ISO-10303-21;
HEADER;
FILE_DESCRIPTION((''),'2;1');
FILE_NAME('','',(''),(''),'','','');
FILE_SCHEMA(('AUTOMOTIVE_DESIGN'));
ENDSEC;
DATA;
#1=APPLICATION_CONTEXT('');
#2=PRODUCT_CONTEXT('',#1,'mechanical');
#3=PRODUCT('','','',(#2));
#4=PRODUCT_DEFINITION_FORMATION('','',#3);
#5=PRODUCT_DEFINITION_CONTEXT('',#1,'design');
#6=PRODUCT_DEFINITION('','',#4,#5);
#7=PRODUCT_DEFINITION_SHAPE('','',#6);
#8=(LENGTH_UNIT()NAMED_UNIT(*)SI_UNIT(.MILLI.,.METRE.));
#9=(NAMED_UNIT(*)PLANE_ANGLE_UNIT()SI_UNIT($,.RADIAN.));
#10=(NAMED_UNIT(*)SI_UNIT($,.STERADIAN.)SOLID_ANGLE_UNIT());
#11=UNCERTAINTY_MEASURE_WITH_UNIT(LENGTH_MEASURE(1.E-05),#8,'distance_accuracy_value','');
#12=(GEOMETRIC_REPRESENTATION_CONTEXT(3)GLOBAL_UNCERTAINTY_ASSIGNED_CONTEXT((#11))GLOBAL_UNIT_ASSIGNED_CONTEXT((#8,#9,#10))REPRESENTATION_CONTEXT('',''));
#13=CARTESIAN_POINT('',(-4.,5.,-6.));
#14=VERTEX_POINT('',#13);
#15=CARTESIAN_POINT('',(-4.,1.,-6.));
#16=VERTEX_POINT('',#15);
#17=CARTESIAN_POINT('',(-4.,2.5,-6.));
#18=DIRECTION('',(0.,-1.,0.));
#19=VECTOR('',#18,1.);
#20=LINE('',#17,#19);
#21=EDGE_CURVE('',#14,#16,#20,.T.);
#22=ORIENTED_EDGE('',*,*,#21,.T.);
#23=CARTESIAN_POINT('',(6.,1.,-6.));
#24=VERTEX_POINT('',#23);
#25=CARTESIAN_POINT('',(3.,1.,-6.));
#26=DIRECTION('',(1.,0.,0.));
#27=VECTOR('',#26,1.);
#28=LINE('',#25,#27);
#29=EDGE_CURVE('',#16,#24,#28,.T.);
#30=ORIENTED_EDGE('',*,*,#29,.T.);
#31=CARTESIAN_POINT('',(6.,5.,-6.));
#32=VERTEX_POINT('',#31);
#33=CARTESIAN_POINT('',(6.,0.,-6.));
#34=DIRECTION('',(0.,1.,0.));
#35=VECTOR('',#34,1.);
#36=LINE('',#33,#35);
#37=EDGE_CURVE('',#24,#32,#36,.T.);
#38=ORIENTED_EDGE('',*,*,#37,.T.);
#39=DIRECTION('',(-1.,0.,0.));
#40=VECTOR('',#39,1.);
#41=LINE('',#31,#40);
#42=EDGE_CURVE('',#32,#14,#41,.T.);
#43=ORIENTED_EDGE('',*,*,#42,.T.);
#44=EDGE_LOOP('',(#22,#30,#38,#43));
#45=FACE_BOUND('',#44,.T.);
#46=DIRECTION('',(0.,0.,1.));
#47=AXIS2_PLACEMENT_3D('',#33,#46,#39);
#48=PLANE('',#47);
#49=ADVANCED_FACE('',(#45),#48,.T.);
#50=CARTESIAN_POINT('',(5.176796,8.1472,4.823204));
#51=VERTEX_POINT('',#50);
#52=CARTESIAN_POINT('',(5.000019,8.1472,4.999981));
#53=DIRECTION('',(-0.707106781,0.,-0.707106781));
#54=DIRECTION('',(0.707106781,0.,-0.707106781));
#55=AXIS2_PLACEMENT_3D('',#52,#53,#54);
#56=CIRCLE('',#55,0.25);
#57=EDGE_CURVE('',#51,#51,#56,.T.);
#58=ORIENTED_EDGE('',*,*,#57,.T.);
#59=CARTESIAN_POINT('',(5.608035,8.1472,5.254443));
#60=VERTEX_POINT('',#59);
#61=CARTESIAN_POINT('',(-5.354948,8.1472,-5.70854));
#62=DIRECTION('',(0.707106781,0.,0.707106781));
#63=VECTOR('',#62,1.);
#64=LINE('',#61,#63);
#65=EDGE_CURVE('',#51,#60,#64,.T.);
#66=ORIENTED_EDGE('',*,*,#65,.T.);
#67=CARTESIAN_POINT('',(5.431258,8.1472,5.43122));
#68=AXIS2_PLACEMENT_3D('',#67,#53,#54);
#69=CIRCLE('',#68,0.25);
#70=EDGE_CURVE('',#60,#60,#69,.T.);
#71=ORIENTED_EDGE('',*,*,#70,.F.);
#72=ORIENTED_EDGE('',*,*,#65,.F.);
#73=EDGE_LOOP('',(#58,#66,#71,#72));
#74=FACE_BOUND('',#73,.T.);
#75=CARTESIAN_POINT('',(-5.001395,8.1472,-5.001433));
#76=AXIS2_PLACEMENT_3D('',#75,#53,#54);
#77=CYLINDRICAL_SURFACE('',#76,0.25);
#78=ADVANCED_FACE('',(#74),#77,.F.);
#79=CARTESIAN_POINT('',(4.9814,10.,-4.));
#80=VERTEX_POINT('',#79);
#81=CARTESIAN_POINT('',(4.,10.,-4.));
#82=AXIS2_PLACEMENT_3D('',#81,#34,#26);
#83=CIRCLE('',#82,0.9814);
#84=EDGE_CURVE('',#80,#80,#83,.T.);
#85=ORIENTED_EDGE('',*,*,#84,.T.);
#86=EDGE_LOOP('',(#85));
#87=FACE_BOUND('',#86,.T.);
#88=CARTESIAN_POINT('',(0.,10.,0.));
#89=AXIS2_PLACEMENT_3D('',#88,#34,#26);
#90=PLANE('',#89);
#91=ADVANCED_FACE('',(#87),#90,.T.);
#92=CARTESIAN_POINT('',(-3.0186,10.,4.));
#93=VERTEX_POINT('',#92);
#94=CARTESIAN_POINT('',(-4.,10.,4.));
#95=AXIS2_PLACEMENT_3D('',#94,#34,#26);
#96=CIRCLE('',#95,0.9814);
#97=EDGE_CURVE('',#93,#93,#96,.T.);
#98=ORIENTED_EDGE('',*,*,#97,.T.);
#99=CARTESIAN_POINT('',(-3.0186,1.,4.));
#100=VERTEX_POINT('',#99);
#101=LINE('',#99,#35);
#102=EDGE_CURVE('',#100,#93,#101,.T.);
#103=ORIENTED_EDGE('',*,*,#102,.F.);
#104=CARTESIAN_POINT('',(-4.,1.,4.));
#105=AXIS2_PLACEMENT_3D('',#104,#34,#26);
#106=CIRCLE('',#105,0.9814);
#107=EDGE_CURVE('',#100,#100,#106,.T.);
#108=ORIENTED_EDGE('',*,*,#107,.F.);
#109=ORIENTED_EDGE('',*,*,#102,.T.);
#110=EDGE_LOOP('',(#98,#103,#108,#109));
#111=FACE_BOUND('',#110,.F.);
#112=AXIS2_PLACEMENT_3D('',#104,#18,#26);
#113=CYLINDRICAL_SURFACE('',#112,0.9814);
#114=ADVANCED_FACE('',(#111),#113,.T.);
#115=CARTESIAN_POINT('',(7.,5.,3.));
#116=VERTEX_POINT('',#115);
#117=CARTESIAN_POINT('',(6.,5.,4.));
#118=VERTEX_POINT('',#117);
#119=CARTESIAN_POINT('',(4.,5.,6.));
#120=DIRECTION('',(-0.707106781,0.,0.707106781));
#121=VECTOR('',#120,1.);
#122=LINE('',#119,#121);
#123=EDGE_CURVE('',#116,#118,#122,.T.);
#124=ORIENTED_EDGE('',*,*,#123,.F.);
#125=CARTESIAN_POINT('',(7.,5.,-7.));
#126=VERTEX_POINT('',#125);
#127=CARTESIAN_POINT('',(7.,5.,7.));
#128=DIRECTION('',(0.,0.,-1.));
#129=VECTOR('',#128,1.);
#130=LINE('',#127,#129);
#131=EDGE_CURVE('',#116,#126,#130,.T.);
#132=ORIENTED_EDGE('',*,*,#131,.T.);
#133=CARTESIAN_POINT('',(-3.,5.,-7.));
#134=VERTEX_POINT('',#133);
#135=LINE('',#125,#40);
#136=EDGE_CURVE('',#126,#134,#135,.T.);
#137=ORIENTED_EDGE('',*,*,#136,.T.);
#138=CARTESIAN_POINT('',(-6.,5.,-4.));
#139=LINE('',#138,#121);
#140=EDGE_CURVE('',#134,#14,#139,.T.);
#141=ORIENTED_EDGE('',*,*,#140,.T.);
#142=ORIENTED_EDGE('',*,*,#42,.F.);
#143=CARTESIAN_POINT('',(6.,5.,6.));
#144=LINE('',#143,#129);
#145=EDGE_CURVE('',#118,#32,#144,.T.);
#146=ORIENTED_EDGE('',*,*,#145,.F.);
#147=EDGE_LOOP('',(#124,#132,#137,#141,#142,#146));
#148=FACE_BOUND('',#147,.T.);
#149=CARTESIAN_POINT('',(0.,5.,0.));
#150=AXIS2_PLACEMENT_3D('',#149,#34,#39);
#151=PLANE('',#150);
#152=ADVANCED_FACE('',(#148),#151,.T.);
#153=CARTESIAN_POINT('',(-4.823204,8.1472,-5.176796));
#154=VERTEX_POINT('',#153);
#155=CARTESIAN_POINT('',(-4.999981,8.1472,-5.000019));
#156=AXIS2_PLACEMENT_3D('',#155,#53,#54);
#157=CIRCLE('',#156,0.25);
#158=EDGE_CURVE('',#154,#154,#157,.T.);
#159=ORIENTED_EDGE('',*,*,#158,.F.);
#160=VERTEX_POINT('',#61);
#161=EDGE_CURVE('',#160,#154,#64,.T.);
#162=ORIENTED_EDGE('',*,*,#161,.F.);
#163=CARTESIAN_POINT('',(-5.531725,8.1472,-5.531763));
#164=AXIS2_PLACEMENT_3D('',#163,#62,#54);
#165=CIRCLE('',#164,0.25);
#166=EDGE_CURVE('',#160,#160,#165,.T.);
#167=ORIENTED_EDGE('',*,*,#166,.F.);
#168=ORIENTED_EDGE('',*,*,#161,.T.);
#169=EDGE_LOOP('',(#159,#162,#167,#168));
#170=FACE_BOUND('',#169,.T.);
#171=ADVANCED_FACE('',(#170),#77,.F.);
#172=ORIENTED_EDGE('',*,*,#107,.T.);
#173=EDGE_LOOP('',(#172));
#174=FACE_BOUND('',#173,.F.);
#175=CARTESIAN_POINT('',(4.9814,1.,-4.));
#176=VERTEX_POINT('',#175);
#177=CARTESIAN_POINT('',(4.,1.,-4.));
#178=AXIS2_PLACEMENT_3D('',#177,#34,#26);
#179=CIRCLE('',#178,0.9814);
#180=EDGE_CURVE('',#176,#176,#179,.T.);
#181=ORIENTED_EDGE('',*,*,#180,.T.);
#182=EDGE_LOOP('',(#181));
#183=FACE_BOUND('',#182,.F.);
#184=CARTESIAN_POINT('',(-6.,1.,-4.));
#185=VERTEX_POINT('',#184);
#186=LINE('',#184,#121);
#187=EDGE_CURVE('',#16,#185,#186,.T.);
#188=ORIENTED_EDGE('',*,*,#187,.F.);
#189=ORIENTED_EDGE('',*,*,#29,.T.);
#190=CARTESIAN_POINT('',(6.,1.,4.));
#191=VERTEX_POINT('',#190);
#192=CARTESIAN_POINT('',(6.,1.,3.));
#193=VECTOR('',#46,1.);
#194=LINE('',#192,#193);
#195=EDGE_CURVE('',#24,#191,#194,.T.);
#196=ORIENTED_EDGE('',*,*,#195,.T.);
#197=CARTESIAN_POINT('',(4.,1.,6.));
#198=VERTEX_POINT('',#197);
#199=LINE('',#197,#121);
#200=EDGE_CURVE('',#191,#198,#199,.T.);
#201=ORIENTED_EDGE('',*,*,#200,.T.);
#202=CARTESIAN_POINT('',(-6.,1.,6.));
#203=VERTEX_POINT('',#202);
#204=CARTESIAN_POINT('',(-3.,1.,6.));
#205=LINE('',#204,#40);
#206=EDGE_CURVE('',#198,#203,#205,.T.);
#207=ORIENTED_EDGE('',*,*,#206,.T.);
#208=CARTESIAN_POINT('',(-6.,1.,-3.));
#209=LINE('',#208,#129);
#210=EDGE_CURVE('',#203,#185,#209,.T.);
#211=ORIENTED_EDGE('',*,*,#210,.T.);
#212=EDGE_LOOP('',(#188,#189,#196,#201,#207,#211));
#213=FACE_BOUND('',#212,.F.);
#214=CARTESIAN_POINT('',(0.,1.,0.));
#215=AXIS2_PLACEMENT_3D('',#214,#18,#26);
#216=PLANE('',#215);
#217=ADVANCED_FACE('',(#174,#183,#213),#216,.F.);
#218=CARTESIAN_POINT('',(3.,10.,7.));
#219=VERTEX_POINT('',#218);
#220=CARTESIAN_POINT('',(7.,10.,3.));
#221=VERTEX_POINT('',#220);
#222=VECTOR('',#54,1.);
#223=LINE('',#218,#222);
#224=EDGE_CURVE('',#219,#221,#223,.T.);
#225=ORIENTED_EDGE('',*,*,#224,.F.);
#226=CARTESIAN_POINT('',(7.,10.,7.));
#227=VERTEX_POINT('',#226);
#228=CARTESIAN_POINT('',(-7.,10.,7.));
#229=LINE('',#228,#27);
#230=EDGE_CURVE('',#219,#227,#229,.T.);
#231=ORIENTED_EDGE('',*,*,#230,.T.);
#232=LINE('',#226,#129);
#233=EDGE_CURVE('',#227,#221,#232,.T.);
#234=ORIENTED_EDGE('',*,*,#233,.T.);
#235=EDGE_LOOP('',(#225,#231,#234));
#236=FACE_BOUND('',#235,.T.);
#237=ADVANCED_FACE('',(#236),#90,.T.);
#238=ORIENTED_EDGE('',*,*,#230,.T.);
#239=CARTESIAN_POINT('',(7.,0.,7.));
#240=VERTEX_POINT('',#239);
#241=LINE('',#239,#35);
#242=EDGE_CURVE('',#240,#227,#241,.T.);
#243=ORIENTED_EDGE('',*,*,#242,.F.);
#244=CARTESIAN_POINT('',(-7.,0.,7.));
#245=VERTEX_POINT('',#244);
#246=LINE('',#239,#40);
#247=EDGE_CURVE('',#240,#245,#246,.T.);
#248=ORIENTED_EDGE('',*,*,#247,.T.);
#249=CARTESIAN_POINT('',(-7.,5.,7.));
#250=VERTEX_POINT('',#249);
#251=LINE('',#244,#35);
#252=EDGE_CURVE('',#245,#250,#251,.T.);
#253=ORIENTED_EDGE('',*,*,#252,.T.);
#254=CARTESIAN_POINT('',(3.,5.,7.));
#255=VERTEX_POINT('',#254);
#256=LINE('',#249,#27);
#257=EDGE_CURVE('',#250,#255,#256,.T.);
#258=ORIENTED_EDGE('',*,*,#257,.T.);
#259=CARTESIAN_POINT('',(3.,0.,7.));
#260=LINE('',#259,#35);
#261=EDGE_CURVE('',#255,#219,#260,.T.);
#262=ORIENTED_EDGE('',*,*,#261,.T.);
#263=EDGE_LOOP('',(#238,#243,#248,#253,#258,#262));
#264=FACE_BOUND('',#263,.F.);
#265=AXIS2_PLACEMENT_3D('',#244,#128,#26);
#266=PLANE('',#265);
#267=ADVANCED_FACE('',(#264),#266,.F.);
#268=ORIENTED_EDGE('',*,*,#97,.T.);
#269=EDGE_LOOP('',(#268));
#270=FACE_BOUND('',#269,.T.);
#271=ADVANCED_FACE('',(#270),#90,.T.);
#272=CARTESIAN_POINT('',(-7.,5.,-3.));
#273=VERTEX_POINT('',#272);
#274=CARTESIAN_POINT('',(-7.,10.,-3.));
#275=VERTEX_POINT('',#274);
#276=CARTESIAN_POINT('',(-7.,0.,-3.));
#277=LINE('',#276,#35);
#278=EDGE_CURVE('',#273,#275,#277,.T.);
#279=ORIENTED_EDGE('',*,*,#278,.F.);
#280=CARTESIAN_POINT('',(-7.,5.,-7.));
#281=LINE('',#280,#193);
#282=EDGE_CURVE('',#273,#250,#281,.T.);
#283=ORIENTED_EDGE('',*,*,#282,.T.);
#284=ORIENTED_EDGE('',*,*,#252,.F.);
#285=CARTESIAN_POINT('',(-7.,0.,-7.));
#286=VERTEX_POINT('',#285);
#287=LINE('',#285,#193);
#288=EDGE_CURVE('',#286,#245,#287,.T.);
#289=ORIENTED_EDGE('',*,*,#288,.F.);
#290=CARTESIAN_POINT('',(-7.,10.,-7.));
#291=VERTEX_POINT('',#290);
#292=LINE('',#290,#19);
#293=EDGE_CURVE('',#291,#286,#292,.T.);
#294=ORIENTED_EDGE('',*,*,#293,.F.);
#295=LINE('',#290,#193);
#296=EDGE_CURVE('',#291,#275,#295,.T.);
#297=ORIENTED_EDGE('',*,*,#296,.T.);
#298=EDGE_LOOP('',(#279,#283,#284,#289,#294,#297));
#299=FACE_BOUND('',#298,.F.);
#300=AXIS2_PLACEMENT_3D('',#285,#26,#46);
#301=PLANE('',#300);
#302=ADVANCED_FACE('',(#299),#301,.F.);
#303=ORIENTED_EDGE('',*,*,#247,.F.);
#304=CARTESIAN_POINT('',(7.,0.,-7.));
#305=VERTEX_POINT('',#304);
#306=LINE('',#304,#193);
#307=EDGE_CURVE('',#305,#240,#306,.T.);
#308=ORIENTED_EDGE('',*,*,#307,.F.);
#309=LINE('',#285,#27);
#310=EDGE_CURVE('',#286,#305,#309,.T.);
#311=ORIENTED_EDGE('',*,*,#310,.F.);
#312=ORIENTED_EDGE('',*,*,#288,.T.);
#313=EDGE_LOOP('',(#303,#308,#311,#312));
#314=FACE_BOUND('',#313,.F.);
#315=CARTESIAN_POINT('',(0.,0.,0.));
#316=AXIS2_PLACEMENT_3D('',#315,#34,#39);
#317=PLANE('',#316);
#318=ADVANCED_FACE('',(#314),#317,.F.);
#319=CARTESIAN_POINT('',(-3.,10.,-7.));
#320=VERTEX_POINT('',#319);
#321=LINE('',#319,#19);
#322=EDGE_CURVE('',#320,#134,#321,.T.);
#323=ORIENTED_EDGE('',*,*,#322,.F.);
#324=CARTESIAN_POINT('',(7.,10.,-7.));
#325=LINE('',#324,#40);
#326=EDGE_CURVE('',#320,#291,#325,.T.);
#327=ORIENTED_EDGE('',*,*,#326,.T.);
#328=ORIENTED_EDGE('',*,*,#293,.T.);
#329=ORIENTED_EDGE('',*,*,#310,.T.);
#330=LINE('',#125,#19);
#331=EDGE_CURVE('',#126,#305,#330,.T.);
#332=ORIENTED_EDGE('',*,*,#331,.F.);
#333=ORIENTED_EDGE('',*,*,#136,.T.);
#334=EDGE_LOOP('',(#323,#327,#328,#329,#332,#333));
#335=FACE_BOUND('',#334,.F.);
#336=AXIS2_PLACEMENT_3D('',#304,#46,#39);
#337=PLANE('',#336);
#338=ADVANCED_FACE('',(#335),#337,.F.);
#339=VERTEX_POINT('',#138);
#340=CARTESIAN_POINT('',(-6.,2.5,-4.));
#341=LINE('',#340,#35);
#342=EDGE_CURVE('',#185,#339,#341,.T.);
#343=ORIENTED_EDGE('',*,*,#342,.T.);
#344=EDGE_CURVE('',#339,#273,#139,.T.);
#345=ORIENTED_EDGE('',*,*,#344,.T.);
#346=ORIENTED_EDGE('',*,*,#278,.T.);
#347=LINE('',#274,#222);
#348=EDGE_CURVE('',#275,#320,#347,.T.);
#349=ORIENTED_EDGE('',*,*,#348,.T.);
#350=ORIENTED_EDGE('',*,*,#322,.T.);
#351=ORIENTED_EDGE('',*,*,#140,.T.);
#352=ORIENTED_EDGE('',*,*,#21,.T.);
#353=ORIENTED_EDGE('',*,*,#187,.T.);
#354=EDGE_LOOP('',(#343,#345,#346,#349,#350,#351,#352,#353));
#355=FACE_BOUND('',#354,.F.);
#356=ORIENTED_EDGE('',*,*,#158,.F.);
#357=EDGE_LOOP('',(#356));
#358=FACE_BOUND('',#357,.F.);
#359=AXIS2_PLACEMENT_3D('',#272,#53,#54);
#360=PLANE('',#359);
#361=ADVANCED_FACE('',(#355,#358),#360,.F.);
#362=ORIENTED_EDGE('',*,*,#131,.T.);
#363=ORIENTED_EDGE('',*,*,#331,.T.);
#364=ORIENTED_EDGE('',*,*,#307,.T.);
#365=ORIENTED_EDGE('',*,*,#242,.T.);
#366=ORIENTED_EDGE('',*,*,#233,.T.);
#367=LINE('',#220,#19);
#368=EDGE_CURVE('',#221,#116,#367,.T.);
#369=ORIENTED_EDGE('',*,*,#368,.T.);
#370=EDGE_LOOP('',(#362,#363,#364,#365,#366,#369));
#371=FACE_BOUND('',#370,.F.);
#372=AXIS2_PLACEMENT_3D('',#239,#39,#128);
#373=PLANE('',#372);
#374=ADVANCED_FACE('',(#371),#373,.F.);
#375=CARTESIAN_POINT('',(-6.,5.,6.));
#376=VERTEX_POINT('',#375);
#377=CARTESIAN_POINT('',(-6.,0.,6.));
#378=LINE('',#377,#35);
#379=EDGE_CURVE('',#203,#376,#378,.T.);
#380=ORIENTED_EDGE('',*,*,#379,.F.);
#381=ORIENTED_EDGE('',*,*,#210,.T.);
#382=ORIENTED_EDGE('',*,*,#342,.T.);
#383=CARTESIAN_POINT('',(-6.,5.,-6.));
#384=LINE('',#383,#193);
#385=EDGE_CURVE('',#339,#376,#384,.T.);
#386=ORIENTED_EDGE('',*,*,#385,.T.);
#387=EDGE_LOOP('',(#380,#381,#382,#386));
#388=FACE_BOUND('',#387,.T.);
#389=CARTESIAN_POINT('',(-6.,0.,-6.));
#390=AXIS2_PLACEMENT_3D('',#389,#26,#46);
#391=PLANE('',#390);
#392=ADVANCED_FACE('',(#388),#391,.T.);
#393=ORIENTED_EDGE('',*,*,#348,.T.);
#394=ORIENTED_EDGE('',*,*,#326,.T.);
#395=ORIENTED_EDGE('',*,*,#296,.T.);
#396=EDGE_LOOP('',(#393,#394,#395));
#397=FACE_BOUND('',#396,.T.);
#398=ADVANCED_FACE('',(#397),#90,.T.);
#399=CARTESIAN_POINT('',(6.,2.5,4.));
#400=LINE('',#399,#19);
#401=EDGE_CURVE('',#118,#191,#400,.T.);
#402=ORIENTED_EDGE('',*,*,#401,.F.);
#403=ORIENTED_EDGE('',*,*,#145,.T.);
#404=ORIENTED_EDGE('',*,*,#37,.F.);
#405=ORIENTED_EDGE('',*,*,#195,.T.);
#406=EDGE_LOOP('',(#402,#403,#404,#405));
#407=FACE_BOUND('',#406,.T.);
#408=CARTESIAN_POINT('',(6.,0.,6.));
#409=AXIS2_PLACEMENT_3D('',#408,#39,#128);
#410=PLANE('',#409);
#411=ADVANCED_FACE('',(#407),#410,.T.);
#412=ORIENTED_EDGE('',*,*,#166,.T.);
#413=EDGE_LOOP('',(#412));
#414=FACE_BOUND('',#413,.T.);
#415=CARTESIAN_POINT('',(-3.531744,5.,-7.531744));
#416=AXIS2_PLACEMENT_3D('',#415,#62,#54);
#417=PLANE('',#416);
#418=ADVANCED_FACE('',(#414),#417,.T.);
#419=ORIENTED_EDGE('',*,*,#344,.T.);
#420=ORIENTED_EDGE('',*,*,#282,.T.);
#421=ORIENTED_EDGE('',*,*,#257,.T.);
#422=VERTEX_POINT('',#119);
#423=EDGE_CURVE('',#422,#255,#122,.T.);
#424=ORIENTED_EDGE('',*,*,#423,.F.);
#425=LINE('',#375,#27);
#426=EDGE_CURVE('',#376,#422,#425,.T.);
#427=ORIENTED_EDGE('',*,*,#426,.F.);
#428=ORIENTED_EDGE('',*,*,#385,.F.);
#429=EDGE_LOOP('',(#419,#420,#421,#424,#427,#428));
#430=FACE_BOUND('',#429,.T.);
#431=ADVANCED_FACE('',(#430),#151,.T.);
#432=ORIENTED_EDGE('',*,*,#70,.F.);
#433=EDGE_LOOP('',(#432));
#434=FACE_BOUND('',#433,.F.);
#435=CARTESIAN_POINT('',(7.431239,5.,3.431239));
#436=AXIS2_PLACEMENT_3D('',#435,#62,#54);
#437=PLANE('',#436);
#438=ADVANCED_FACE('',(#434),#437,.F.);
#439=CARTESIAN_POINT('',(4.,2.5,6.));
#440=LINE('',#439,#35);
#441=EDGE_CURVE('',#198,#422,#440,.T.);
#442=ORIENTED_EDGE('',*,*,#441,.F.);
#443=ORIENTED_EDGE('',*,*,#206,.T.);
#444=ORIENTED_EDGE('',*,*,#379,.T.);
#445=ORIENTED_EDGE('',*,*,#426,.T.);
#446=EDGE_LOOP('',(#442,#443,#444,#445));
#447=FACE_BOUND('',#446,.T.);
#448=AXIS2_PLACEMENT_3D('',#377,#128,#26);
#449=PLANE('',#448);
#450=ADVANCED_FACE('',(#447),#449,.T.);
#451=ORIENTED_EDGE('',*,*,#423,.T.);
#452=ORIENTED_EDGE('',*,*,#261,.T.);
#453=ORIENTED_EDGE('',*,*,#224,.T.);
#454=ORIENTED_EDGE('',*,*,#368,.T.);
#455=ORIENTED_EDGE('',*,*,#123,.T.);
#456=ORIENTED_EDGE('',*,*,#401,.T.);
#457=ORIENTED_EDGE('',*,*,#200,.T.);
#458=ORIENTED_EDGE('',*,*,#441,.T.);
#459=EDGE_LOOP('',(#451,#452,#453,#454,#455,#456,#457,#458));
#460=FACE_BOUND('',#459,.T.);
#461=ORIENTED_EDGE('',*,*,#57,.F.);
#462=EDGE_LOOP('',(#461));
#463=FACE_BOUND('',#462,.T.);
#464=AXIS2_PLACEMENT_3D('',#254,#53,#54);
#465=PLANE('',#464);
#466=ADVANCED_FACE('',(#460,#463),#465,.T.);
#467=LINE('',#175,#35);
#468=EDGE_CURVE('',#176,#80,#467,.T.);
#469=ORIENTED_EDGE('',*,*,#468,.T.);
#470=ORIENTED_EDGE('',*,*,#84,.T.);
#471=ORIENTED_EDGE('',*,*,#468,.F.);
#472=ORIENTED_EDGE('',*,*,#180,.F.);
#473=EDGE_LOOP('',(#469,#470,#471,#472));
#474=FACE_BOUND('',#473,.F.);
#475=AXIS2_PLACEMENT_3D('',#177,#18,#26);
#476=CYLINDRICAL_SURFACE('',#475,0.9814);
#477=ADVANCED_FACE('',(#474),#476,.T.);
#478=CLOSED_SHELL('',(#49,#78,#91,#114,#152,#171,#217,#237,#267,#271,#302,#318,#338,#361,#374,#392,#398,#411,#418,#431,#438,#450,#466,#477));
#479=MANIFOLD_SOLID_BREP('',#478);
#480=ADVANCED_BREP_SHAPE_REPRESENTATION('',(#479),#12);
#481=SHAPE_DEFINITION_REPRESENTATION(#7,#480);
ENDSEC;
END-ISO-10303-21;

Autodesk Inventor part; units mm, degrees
ref_plane "YZ Plane" through (0, 0, 0) normal (1, 0, 0) x (0, 1, 0)
ref_plane "XZ Plane" through (0, 0, 0) normal (0, 1, 0) x (-1, 0, 0)
ref_plane "XY Plane" through (0, 0, 0) normal (0, 0, 1) x (1, 0, 0)
sketch "Sketch1" plane through (0, 0, 0) normal (0, 1, 0) x (-1, 0, 0)
  line L0 (7, 7) -> (-7, 7)
  line L1 (-7, 7) -> (-7, -7)
  line L2 (-7, -7) -> (7, -7)
  line L3 (7, -7) -> (7, 7)
  line L4 (7, 7) -> (-7, -7) construction
  line L5 (-7, 7) -> (7, -7) construction
  line L6 (6, 6) -> (-6, 6)
  line L7 (-6, 6) -> (-6, -6)
  line L8 (-6, -6) -> (6, -6)
  line L9 (6, -6) -> (6, 6)
  point P0 (0, 0)
  dimension "d0" = 14
  dimension "d1" = 14
  dimension "d2" = 1
extrude "Extrusion1" add sketch "Sketch1" along normal blind 5
sketch "Sketch2" plane through (0, 5, 0) normal (0, 1, 0) x (1, 0, 0)
  line L0 (-7, -7) -> (7, -7) projected
  line L1 (3, -7) -> (7, -3)
  line L2 (7, -7) -> (7, 7) projected
  line L3 (-7, 7) -> (-7, -7) projected
  line L4 (-7, 3) -> (-3, 7)
  line L5 (7, 7) -> (-7, 7) projected
  point P0 (0, 0)
  dimension "d5" = 4
  dimension "d6" = 4
  dimension "d7" = 4
  dimension "d8" = 4
extrude "Extrusion2" add sketch "Sketch2" along normal mid plane 10 contours L1 L2 L0 | L3 L5 L4
sketch "Sketch3" plane through (0, 0, 0) normal (0, -1, 0) x (1, 0, 0)
  line L0 (7, -7) -> (-7, -7) projected
  line L1 (7, 7) -> (7, -7) projected
  line L2 (-7, 7) -> (7, 7) projected
  line L3 (-7, -7) -> (-7, 7) projected
  line L4 (-4, -6) -> (-6, -4) projected
  line L5 (-6, 6) -> (-6, -4) projected
  line L6 (4, 6) -> (-6, 6) projected
  line L7 (4, 6) -> (6, 4) projected
  line L8 (6, -6) -> (6, 4) projected
  line L9 (-4, -6) -> (6, -6) projected
  point P0 (0, 0)
extrude "Extrusion3" add sketch "Sketch3" against normal blind 1 contours L0 L3 L2 L1 | L4 L5 L6 L7 L8 L9
sketch "Sketch4" plane through (0, 1, 0) normal (0, 1, 0) x (1, 0, 0)
  circle A0 centre (-4, -4) radius 0.9814
  circle A1 centre (4, 4) radius 0.9814
  line L0 (-6, -6) -> (-6, 4) projected
  line L1 (4, -6) -> (-6, -6) projected
  line L2 (-4, 6) -> (6, 6) projected
  line L3 (6, 6) -> (6, -4) projected
  point P0 (0, 0)
  dimension "d15" = 2
  dimension "d16" = 2
  dimension "d17" = 2
  dimension "d18" = 2
extrude "Extrusion4" add sketch "Sketch4" along normal blind 9
sketch "Sketch5" plane through (-3, 5, -7) normal (0.7071, 0, 0.7071) x (0.7071, 0, -0.7071)
  line L0 (-2.8284, -5) -> (-2.8284, 5) projected
  circle A0 centre (-2.8284, 3.1472) radius 0.25
  dimension "d19" = 0.5
extrude "Extrusion5" cut sketch "Sketch5" along normal blind 14.75 and the other way blind 0.75
properties part number "disk holder" material "ABS Plastic"
